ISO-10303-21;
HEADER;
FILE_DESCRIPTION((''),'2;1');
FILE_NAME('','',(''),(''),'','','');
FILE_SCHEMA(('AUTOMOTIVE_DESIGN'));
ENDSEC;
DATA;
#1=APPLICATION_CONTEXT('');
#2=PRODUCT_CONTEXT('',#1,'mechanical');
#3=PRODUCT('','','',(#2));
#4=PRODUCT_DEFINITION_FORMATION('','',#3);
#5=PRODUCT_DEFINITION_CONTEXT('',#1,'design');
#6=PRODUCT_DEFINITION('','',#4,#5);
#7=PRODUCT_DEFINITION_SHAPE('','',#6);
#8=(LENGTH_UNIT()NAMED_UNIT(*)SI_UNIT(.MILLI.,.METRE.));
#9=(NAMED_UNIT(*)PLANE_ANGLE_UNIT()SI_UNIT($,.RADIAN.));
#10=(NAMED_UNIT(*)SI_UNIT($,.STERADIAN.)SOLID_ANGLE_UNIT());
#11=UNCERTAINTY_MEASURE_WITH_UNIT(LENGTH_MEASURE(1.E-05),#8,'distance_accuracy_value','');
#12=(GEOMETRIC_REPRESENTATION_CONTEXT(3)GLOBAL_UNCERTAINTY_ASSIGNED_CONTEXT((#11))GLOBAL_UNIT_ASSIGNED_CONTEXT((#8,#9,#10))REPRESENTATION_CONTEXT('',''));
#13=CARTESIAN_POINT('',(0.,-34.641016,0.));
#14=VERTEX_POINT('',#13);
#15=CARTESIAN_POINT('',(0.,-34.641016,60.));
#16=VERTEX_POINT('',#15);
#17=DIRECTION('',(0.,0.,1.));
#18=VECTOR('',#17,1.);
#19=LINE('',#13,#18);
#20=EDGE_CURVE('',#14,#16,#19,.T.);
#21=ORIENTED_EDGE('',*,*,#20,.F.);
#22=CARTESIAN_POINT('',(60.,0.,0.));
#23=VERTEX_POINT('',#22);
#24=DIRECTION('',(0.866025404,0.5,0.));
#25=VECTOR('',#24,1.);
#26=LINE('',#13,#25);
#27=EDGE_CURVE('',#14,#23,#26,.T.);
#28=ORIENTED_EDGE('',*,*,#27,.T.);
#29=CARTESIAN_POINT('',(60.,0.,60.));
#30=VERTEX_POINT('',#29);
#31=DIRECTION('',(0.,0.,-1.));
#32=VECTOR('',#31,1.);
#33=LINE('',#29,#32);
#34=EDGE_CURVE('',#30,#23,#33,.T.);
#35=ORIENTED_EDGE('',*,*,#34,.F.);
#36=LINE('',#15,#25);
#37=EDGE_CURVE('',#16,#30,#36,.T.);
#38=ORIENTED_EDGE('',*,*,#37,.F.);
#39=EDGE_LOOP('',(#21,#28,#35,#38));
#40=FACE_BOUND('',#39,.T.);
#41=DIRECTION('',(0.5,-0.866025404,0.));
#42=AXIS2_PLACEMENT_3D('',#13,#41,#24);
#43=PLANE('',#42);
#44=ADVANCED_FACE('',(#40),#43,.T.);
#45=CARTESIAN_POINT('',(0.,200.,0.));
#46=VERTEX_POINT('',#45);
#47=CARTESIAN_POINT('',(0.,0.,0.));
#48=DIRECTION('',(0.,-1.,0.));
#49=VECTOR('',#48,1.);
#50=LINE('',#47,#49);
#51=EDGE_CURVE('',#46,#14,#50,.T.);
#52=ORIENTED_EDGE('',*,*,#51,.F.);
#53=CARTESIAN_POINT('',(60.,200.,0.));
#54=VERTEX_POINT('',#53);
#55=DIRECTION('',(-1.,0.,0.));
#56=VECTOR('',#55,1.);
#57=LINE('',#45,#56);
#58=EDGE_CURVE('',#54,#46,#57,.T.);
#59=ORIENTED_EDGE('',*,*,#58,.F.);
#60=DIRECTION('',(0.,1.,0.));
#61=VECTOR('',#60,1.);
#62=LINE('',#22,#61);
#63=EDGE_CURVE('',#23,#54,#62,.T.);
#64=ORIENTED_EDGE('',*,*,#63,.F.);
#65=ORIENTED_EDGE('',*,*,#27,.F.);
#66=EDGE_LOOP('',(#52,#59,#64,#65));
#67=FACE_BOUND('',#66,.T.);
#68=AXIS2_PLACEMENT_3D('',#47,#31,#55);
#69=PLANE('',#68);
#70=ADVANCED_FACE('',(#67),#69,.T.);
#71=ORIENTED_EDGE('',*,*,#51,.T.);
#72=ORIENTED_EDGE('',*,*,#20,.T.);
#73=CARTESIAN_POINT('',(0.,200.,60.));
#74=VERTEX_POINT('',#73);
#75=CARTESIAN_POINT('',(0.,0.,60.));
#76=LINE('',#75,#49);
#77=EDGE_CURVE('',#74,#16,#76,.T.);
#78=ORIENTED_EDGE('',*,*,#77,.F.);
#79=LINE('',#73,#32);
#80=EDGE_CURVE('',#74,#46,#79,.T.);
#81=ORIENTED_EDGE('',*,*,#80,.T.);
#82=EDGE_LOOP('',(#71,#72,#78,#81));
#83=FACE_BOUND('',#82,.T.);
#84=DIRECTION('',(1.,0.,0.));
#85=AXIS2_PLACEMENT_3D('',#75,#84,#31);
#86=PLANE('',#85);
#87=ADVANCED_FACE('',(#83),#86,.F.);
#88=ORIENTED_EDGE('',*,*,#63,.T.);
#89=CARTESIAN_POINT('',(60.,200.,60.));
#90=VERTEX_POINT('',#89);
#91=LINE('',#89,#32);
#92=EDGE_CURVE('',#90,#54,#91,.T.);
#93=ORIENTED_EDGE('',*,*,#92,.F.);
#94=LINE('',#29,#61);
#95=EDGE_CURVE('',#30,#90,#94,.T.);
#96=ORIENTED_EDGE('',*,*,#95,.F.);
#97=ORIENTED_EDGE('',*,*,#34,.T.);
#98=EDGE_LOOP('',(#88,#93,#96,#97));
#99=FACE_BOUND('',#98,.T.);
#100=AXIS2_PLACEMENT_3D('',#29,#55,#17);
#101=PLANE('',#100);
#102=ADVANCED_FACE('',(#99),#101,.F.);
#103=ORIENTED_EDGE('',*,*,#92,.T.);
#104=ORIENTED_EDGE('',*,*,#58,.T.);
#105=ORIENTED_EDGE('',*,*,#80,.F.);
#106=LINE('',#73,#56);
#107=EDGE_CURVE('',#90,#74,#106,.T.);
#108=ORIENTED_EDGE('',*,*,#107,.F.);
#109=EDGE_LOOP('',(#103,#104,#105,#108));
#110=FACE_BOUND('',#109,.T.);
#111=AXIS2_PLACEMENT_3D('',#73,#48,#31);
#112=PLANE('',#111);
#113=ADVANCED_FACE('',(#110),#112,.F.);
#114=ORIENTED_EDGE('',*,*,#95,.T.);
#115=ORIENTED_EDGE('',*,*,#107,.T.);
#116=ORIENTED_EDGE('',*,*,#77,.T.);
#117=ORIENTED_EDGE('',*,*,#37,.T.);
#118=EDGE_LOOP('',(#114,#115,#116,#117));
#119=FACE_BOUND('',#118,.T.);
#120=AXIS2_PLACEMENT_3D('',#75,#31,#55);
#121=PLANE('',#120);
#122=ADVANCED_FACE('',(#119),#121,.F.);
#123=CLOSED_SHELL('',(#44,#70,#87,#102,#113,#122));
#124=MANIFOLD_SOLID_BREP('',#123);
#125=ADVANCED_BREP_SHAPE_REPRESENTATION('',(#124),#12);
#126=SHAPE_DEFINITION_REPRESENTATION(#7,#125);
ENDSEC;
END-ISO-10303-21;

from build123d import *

# Parameters (mm, degrees)
ESQUISSE1_W        = 60
ESQUISSE1_H        = 200
BOSS_EXTRU_1_DEPTH = 60
BOSS_EXTRU_2_DEPTH = 60


with BuildPart() as part:
    # Esquisse1 → Boss.-Extru.1 (new body)
    with BuildSketch(Plane.XY):
        with Locations((30, 100)):
            Rectangle(ESQUISSE1_W, ESQUISSE1_H)
    extrude(amount=BOSS_EXTRU_1_DEPTH)

    # Esquisse2 → Boss.-Extru.2 (add)
    with BuildSketch(Plane.XY.offset(60)):
        Polygon((60, 0), (0, 0), (0, -34.641016151), align=None)
    extrude(amount=-BOSS_EXTRU_2_DEPTH)


solid = part.part
